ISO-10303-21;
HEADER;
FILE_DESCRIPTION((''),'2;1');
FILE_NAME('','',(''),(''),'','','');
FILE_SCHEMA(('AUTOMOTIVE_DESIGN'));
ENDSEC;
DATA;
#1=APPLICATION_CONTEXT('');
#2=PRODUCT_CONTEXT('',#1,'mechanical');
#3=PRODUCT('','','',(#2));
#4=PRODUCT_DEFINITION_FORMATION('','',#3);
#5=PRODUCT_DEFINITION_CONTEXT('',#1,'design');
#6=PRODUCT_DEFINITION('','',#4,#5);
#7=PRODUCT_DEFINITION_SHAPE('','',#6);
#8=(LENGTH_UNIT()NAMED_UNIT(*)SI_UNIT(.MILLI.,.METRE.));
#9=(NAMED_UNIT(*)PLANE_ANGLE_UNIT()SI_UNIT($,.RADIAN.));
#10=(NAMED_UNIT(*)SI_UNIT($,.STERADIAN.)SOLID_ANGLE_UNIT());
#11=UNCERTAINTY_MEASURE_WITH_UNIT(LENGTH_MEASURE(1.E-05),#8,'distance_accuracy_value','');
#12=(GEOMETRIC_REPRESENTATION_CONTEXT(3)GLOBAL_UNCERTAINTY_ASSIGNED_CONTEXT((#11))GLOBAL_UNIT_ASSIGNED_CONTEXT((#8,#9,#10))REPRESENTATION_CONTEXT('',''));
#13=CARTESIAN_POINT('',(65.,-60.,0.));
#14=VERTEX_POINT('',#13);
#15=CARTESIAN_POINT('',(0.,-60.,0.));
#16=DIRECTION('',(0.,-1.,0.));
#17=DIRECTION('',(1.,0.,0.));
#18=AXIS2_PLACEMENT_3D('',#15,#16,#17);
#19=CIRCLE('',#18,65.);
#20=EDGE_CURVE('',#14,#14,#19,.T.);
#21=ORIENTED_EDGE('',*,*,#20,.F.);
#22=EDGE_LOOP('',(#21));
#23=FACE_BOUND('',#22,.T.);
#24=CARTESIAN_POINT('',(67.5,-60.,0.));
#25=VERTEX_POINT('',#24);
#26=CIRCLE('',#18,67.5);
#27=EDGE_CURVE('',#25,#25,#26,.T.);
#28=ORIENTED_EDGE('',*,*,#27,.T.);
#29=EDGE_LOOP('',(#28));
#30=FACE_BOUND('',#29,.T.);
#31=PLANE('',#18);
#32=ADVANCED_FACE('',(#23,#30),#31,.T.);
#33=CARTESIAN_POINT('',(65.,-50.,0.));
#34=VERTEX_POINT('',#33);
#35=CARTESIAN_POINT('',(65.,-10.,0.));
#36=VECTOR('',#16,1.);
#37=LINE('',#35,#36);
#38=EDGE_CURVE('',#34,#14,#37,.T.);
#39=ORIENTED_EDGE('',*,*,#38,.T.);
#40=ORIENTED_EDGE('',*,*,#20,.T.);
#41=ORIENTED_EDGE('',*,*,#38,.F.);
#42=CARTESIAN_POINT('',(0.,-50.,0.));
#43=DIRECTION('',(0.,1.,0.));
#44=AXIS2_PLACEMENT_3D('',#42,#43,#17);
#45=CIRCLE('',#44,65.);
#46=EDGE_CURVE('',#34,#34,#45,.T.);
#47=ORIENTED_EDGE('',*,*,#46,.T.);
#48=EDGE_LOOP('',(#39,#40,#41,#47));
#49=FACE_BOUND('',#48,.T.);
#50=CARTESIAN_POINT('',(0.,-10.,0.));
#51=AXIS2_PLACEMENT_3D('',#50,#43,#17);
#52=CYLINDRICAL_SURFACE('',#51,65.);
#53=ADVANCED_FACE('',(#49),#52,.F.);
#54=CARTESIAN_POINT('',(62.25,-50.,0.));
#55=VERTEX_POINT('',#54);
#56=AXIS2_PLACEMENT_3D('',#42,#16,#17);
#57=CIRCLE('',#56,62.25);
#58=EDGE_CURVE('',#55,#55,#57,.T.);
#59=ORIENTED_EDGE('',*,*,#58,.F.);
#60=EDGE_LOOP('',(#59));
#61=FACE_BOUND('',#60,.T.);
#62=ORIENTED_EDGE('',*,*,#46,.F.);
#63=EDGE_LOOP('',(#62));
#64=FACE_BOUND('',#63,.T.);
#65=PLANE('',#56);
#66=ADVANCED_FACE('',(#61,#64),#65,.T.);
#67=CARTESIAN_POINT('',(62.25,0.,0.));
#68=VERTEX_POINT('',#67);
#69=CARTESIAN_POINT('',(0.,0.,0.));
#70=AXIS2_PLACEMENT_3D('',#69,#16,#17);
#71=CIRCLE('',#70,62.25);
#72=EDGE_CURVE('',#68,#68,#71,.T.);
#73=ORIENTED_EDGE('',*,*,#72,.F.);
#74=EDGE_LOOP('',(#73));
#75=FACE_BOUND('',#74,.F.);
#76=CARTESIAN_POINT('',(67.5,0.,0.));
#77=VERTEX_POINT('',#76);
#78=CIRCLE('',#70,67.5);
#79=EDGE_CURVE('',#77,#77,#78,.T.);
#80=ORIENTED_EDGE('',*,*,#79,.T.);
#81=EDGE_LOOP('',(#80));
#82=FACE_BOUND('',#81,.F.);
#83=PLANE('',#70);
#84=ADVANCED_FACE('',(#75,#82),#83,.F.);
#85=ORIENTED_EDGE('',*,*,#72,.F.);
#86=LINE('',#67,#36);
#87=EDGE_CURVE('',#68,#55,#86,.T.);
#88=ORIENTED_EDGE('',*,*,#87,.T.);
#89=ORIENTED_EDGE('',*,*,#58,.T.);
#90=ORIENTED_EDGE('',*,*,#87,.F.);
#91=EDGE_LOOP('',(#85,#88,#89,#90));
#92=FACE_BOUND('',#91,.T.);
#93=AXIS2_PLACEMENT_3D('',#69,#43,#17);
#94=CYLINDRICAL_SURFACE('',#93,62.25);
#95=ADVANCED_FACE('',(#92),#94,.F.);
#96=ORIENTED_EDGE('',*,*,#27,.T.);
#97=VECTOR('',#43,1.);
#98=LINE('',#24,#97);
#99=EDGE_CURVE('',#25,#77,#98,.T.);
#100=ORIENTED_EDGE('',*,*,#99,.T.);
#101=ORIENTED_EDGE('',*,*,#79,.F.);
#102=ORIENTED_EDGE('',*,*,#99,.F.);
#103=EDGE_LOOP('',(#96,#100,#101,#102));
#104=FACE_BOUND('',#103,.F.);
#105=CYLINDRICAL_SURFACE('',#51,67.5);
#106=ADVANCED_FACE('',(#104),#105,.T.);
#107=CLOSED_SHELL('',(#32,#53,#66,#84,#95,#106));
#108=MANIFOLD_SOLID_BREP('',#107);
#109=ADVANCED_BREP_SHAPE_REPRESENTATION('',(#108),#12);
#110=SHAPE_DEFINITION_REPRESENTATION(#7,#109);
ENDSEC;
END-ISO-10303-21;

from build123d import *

# Parameters (mm, degrees)
F0_R        = 67.5
F0_R_2      = 65
F1_DEPTH    = 10
F1_FACE_R   = 67.5
F1_FACE_R_2 = 65
F2_R        = 67.5
F2_R_2      = 62.25
F3_DEPTH    = 50


with BuildPart() as f1:
    # F0 (on Front) → F1 (new body)
    with BuildSketch(Plane.XZ):
        Circle(F0_R)
        Circle(F0_R_2, mode=Mode.SUBTRACT)
    extrude(amount=F1_DEPTH)

    # F1_face (on face) + F2 (on Front) → F3 (join)
    with BuildSketch(Plane.XZ.offset(10)):
        Circle(F1_FACE_R)
        Circle(F1_FACE_R_2, mode=Mode.SUBTRACT)
    with BuildSketch(Plane.XZ):
        Circle(F2_R)
        Circle(F2_R_2, mode=Mode.SUBTRACT)
    extrude(amount=F3_DEPTH)


solid = f1.part
